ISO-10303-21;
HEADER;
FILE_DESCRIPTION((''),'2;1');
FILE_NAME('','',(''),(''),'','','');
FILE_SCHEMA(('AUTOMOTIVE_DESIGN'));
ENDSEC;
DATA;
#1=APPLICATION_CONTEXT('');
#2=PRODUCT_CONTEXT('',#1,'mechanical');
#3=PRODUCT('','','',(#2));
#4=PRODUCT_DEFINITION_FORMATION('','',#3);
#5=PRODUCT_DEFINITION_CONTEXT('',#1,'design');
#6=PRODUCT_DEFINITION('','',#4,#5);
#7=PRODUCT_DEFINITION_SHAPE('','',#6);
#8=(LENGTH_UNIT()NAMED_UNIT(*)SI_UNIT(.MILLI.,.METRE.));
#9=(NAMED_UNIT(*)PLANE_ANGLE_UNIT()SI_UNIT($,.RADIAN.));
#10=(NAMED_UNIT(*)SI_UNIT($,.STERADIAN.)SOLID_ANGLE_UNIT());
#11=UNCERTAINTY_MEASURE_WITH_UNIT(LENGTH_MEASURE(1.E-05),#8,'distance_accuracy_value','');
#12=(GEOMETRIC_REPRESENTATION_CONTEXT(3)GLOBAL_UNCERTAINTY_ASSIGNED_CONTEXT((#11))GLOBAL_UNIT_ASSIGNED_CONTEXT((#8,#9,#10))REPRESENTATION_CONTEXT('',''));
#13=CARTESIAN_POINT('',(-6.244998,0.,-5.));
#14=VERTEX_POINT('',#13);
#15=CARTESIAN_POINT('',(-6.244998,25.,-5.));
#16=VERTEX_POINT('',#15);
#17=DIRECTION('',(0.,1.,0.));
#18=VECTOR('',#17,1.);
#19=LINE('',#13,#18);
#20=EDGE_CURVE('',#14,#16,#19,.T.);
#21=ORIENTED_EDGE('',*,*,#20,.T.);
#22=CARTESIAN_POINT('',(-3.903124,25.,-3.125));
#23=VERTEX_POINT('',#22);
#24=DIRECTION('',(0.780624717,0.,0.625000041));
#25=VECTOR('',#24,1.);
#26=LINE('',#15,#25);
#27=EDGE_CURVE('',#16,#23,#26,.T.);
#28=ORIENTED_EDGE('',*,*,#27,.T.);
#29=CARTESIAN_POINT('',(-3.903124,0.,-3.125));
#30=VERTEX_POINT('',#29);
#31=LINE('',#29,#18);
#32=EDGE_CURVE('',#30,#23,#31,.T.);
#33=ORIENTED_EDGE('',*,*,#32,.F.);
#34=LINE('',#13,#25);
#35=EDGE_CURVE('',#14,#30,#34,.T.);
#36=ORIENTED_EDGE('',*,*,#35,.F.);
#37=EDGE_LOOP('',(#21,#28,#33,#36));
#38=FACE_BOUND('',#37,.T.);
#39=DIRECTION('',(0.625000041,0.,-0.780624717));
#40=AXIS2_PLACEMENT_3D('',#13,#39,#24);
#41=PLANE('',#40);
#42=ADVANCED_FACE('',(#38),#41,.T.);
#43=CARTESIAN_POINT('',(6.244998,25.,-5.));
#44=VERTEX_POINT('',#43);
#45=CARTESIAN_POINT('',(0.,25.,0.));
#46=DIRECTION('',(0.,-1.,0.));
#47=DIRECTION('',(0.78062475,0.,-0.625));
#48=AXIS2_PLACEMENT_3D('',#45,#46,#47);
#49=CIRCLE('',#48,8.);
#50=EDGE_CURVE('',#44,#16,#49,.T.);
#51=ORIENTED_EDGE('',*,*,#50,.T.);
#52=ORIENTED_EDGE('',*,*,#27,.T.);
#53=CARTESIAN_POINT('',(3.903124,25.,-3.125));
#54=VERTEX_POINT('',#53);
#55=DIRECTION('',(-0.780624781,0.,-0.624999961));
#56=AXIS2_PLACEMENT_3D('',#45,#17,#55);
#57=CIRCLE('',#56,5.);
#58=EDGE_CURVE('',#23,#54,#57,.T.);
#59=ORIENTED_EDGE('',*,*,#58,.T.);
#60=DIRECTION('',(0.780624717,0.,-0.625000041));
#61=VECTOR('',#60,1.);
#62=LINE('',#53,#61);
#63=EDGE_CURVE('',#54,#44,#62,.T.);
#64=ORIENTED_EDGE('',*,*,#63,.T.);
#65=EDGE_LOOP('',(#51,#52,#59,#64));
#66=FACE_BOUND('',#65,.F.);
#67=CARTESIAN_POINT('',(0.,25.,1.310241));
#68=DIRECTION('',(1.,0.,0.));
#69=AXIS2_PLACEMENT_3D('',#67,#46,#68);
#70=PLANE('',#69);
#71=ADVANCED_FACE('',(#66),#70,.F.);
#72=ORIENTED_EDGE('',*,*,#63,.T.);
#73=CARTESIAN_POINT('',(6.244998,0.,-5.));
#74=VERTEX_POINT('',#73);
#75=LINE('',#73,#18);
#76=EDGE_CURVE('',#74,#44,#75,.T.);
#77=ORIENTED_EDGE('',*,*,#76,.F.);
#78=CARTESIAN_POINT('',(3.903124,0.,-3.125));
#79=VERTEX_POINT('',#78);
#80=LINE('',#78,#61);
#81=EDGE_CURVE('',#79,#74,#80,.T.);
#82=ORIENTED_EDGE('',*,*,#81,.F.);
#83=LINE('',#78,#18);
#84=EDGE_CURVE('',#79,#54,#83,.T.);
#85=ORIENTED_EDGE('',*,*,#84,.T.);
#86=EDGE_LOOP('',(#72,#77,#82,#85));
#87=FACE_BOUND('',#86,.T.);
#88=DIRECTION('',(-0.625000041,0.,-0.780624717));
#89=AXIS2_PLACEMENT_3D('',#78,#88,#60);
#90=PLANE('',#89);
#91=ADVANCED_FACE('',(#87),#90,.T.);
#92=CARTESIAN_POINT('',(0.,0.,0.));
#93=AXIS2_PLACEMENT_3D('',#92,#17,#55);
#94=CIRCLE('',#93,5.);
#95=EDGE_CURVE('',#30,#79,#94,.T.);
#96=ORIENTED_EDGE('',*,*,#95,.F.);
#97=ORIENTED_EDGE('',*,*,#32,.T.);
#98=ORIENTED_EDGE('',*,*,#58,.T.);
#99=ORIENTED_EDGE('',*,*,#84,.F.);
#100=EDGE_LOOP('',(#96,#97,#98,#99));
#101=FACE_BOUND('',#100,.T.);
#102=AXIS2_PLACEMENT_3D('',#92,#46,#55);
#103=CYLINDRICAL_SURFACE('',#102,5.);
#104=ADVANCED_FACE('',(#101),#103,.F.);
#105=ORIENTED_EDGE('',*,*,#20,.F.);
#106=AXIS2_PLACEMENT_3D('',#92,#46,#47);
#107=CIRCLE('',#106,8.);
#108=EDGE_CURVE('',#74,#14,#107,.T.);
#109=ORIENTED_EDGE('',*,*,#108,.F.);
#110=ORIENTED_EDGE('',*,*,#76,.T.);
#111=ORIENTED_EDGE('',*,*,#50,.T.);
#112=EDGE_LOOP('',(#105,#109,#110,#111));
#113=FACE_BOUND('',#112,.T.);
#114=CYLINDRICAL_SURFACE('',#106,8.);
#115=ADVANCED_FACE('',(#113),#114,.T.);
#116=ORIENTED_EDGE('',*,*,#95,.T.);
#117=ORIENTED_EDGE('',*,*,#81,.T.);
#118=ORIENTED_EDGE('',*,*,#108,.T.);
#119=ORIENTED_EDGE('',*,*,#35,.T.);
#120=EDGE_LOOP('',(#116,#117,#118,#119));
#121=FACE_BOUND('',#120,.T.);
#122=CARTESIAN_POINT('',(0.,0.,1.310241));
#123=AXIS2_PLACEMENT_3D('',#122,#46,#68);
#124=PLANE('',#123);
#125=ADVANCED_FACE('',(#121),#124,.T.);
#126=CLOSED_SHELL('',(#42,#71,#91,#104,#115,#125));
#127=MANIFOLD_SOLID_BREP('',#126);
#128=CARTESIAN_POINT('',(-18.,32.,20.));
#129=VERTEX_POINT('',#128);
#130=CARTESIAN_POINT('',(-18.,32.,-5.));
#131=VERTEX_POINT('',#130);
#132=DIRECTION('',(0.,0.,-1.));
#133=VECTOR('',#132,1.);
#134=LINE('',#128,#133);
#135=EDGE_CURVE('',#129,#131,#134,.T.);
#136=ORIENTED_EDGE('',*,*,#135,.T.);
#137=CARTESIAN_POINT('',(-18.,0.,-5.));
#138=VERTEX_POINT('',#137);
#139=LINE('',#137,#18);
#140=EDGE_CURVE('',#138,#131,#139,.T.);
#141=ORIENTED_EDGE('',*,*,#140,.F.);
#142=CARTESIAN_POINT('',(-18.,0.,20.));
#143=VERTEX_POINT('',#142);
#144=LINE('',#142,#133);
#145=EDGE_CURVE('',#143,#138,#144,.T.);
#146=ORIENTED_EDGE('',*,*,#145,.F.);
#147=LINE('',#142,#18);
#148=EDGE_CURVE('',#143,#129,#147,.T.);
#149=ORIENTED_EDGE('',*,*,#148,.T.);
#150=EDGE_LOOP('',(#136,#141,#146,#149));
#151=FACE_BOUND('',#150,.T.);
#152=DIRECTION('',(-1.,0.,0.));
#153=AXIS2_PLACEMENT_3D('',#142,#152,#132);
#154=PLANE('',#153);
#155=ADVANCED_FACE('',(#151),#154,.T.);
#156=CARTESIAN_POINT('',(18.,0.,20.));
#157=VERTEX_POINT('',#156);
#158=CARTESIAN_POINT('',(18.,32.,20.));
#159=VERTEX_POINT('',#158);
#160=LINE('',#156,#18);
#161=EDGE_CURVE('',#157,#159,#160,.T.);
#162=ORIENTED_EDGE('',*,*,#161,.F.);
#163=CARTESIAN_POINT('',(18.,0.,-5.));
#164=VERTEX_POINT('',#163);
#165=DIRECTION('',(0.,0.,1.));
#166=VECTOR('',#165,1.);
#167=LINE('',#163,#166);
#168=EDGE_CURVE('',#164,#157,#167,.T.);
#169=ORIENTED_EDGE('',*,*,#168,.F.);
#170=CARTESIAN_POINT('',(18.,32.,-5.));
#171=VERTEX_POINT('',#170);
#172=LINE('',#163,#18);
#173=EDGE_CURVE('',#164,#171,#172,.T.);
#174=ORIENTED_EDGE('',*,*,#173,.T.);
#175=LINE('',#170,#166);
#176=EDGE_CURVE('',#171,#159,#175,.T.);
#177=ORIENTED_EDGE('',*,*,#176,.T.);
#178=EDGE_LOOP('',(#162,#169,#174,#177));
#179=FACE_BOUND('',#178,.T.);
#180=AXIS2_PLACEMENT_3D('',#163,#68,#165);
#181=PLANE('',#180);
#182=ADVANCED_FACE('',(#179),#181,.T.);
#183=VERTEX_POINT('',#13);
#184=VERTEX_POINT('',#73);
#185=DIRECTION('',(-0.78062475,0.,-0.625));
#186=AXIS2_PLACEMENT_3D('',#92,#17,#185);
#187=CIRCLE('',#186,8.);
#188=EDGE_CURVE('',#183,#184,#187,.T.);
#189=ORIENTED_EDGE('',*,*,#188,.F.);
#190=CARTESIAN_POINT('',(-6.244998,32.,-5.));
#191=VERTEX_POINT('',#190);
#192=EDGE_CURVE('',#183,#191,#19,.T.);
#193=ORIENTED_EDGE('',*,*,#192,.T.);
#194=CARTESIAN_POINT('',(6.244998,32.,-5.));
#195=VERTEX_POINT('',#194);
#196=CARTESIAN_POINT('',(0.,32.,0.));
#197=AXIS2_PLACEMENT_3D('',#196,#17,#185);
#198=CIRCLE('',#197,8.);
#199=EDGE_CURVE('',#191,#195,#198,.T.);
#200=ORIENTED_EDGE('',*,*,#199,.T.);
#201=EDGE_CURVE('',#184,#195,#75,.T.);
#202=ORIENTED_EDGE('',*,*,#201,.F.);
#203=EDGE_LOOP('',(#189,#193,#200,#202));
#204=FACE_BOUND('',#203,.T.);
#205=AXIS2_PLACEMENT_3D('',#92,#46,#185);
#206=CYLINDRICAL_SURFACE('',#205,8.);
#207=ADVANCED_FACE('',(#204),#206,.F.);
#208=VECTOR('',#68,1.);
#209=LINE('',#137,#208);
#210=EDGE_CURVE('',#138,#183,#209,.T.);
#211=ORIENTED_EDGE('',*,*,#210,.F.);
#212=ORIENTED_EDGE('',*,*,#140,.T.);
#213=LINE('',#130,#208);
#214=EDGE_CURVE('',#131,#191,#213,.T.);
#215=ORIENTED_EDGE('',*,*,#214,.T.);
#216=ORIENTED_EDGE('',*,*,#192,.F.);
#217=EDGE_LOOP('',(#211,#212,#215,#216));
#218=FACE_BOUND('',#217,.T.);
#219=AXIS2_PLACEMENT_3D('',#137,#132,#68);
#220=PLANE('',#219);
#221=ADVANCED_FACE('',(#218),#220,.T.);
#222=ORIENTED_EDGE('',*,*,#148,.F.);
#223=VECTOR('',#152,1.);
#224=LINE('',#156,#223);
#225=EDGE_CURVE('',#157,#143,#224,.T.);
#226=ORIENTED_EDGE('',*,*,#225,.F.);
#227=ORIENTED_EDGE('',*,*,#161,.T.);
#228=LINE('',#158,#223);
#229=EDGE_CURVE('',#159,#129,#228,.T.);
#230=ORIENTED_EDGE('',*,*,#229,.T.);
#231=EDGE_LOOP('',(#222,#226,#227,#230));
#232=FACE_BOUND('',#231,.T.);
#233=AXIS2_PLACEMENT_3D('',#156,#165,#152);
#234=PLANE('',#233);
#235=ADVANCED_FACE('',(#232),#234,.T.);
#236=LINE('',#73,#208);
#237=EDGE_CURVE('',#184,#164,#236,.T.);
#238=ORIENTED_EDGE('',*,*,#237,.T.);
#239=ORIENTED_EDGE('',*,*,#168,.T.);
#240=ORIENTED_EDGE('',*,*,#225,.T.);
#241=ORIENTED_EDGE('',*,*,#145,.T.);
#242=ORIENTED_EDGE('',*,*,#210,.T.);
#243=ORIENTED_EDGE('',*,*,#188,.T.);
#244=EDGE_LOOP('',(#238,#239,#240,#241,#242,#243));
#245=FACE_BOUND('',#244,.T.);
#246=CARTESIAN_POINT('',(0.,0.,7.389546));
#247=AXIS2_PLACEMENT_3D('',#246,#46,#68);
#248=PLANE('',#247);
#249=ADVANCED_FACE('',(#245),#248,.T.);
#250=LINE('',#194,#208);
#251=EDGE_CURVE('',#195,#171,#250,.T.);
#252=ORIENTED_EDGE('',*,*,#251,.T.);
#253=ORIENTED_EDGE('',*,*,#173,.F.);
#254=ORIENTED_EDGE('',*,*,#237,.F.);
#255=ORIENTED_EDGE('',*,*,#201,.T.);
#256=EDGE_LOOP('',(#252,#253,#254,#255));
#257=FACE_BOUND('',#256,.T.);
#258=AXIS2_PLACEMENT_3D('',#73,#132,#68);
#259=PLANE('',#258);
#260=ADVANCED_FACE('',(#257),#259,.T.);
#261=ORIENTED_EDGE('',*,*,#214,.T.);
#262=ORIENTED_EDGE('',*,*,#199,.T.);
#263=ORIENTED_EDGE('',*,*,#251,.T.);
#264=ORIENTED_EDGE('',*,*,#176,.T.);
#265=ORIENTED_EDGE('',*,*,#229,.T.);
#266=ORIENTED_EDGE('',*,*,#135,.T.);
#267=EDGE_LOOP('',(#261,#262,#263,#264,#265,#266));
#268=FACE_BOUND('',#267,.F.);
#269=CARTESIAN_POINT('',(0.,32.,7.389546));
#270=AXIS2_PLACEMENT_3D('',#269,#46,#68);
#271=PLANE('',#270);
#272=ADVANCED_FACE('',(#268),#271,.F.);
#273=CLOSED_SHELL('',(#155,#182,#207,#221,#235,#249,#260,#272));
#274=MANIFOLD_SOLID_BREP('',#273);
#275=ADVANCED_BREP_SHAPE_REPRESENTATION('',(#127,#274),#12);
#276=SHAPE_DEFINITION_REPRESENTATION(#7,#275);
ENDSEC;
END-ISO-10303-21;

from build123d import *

# Parameters (mm, degrees)
F1_DEPTH = 32
F2_DEPTH = 25


with BuildPart() as f1:
    # F0 (on Front) → F1 (new body)
    with BuildSketch(Plane.XZ):
        with BuildLine():
            ThreePointArc((-6.244998, -5), (0, 8), (6.244998, -5))
            Line((6.244998, -5), (18, -5))
            Line((18, -5), (18, 20))
            Line((18, 20), (0, 20))
            Line((0, 20), (-18, 20))
            Line((-18, 20), (-18, -5))
            Line((-18, -5), (-6.244998, -5))
        make_face()
    extrude(amount=-F1_DEPTH)


with BuildPart() as f2:
    # F0 (on Front) → F2 (new body)
    with BuildSketch(Plane.XZ):
        with BuildLine():
            ThreePointArc((-3.903124, -3.125), (0, 5), (3.903124, -3.125))
            Line((3.903124, -3.125), (6.244998, -5))
            ThreePointArc((6.244998, -5), (0, 8), (-6.244998, -5))
            Line((-6.244998, -5), (-3.903124, -3.125))
        make_face()
    extrude(amount=-F2_DEPTH)


solid = Compound([f1.part, f2.part])
